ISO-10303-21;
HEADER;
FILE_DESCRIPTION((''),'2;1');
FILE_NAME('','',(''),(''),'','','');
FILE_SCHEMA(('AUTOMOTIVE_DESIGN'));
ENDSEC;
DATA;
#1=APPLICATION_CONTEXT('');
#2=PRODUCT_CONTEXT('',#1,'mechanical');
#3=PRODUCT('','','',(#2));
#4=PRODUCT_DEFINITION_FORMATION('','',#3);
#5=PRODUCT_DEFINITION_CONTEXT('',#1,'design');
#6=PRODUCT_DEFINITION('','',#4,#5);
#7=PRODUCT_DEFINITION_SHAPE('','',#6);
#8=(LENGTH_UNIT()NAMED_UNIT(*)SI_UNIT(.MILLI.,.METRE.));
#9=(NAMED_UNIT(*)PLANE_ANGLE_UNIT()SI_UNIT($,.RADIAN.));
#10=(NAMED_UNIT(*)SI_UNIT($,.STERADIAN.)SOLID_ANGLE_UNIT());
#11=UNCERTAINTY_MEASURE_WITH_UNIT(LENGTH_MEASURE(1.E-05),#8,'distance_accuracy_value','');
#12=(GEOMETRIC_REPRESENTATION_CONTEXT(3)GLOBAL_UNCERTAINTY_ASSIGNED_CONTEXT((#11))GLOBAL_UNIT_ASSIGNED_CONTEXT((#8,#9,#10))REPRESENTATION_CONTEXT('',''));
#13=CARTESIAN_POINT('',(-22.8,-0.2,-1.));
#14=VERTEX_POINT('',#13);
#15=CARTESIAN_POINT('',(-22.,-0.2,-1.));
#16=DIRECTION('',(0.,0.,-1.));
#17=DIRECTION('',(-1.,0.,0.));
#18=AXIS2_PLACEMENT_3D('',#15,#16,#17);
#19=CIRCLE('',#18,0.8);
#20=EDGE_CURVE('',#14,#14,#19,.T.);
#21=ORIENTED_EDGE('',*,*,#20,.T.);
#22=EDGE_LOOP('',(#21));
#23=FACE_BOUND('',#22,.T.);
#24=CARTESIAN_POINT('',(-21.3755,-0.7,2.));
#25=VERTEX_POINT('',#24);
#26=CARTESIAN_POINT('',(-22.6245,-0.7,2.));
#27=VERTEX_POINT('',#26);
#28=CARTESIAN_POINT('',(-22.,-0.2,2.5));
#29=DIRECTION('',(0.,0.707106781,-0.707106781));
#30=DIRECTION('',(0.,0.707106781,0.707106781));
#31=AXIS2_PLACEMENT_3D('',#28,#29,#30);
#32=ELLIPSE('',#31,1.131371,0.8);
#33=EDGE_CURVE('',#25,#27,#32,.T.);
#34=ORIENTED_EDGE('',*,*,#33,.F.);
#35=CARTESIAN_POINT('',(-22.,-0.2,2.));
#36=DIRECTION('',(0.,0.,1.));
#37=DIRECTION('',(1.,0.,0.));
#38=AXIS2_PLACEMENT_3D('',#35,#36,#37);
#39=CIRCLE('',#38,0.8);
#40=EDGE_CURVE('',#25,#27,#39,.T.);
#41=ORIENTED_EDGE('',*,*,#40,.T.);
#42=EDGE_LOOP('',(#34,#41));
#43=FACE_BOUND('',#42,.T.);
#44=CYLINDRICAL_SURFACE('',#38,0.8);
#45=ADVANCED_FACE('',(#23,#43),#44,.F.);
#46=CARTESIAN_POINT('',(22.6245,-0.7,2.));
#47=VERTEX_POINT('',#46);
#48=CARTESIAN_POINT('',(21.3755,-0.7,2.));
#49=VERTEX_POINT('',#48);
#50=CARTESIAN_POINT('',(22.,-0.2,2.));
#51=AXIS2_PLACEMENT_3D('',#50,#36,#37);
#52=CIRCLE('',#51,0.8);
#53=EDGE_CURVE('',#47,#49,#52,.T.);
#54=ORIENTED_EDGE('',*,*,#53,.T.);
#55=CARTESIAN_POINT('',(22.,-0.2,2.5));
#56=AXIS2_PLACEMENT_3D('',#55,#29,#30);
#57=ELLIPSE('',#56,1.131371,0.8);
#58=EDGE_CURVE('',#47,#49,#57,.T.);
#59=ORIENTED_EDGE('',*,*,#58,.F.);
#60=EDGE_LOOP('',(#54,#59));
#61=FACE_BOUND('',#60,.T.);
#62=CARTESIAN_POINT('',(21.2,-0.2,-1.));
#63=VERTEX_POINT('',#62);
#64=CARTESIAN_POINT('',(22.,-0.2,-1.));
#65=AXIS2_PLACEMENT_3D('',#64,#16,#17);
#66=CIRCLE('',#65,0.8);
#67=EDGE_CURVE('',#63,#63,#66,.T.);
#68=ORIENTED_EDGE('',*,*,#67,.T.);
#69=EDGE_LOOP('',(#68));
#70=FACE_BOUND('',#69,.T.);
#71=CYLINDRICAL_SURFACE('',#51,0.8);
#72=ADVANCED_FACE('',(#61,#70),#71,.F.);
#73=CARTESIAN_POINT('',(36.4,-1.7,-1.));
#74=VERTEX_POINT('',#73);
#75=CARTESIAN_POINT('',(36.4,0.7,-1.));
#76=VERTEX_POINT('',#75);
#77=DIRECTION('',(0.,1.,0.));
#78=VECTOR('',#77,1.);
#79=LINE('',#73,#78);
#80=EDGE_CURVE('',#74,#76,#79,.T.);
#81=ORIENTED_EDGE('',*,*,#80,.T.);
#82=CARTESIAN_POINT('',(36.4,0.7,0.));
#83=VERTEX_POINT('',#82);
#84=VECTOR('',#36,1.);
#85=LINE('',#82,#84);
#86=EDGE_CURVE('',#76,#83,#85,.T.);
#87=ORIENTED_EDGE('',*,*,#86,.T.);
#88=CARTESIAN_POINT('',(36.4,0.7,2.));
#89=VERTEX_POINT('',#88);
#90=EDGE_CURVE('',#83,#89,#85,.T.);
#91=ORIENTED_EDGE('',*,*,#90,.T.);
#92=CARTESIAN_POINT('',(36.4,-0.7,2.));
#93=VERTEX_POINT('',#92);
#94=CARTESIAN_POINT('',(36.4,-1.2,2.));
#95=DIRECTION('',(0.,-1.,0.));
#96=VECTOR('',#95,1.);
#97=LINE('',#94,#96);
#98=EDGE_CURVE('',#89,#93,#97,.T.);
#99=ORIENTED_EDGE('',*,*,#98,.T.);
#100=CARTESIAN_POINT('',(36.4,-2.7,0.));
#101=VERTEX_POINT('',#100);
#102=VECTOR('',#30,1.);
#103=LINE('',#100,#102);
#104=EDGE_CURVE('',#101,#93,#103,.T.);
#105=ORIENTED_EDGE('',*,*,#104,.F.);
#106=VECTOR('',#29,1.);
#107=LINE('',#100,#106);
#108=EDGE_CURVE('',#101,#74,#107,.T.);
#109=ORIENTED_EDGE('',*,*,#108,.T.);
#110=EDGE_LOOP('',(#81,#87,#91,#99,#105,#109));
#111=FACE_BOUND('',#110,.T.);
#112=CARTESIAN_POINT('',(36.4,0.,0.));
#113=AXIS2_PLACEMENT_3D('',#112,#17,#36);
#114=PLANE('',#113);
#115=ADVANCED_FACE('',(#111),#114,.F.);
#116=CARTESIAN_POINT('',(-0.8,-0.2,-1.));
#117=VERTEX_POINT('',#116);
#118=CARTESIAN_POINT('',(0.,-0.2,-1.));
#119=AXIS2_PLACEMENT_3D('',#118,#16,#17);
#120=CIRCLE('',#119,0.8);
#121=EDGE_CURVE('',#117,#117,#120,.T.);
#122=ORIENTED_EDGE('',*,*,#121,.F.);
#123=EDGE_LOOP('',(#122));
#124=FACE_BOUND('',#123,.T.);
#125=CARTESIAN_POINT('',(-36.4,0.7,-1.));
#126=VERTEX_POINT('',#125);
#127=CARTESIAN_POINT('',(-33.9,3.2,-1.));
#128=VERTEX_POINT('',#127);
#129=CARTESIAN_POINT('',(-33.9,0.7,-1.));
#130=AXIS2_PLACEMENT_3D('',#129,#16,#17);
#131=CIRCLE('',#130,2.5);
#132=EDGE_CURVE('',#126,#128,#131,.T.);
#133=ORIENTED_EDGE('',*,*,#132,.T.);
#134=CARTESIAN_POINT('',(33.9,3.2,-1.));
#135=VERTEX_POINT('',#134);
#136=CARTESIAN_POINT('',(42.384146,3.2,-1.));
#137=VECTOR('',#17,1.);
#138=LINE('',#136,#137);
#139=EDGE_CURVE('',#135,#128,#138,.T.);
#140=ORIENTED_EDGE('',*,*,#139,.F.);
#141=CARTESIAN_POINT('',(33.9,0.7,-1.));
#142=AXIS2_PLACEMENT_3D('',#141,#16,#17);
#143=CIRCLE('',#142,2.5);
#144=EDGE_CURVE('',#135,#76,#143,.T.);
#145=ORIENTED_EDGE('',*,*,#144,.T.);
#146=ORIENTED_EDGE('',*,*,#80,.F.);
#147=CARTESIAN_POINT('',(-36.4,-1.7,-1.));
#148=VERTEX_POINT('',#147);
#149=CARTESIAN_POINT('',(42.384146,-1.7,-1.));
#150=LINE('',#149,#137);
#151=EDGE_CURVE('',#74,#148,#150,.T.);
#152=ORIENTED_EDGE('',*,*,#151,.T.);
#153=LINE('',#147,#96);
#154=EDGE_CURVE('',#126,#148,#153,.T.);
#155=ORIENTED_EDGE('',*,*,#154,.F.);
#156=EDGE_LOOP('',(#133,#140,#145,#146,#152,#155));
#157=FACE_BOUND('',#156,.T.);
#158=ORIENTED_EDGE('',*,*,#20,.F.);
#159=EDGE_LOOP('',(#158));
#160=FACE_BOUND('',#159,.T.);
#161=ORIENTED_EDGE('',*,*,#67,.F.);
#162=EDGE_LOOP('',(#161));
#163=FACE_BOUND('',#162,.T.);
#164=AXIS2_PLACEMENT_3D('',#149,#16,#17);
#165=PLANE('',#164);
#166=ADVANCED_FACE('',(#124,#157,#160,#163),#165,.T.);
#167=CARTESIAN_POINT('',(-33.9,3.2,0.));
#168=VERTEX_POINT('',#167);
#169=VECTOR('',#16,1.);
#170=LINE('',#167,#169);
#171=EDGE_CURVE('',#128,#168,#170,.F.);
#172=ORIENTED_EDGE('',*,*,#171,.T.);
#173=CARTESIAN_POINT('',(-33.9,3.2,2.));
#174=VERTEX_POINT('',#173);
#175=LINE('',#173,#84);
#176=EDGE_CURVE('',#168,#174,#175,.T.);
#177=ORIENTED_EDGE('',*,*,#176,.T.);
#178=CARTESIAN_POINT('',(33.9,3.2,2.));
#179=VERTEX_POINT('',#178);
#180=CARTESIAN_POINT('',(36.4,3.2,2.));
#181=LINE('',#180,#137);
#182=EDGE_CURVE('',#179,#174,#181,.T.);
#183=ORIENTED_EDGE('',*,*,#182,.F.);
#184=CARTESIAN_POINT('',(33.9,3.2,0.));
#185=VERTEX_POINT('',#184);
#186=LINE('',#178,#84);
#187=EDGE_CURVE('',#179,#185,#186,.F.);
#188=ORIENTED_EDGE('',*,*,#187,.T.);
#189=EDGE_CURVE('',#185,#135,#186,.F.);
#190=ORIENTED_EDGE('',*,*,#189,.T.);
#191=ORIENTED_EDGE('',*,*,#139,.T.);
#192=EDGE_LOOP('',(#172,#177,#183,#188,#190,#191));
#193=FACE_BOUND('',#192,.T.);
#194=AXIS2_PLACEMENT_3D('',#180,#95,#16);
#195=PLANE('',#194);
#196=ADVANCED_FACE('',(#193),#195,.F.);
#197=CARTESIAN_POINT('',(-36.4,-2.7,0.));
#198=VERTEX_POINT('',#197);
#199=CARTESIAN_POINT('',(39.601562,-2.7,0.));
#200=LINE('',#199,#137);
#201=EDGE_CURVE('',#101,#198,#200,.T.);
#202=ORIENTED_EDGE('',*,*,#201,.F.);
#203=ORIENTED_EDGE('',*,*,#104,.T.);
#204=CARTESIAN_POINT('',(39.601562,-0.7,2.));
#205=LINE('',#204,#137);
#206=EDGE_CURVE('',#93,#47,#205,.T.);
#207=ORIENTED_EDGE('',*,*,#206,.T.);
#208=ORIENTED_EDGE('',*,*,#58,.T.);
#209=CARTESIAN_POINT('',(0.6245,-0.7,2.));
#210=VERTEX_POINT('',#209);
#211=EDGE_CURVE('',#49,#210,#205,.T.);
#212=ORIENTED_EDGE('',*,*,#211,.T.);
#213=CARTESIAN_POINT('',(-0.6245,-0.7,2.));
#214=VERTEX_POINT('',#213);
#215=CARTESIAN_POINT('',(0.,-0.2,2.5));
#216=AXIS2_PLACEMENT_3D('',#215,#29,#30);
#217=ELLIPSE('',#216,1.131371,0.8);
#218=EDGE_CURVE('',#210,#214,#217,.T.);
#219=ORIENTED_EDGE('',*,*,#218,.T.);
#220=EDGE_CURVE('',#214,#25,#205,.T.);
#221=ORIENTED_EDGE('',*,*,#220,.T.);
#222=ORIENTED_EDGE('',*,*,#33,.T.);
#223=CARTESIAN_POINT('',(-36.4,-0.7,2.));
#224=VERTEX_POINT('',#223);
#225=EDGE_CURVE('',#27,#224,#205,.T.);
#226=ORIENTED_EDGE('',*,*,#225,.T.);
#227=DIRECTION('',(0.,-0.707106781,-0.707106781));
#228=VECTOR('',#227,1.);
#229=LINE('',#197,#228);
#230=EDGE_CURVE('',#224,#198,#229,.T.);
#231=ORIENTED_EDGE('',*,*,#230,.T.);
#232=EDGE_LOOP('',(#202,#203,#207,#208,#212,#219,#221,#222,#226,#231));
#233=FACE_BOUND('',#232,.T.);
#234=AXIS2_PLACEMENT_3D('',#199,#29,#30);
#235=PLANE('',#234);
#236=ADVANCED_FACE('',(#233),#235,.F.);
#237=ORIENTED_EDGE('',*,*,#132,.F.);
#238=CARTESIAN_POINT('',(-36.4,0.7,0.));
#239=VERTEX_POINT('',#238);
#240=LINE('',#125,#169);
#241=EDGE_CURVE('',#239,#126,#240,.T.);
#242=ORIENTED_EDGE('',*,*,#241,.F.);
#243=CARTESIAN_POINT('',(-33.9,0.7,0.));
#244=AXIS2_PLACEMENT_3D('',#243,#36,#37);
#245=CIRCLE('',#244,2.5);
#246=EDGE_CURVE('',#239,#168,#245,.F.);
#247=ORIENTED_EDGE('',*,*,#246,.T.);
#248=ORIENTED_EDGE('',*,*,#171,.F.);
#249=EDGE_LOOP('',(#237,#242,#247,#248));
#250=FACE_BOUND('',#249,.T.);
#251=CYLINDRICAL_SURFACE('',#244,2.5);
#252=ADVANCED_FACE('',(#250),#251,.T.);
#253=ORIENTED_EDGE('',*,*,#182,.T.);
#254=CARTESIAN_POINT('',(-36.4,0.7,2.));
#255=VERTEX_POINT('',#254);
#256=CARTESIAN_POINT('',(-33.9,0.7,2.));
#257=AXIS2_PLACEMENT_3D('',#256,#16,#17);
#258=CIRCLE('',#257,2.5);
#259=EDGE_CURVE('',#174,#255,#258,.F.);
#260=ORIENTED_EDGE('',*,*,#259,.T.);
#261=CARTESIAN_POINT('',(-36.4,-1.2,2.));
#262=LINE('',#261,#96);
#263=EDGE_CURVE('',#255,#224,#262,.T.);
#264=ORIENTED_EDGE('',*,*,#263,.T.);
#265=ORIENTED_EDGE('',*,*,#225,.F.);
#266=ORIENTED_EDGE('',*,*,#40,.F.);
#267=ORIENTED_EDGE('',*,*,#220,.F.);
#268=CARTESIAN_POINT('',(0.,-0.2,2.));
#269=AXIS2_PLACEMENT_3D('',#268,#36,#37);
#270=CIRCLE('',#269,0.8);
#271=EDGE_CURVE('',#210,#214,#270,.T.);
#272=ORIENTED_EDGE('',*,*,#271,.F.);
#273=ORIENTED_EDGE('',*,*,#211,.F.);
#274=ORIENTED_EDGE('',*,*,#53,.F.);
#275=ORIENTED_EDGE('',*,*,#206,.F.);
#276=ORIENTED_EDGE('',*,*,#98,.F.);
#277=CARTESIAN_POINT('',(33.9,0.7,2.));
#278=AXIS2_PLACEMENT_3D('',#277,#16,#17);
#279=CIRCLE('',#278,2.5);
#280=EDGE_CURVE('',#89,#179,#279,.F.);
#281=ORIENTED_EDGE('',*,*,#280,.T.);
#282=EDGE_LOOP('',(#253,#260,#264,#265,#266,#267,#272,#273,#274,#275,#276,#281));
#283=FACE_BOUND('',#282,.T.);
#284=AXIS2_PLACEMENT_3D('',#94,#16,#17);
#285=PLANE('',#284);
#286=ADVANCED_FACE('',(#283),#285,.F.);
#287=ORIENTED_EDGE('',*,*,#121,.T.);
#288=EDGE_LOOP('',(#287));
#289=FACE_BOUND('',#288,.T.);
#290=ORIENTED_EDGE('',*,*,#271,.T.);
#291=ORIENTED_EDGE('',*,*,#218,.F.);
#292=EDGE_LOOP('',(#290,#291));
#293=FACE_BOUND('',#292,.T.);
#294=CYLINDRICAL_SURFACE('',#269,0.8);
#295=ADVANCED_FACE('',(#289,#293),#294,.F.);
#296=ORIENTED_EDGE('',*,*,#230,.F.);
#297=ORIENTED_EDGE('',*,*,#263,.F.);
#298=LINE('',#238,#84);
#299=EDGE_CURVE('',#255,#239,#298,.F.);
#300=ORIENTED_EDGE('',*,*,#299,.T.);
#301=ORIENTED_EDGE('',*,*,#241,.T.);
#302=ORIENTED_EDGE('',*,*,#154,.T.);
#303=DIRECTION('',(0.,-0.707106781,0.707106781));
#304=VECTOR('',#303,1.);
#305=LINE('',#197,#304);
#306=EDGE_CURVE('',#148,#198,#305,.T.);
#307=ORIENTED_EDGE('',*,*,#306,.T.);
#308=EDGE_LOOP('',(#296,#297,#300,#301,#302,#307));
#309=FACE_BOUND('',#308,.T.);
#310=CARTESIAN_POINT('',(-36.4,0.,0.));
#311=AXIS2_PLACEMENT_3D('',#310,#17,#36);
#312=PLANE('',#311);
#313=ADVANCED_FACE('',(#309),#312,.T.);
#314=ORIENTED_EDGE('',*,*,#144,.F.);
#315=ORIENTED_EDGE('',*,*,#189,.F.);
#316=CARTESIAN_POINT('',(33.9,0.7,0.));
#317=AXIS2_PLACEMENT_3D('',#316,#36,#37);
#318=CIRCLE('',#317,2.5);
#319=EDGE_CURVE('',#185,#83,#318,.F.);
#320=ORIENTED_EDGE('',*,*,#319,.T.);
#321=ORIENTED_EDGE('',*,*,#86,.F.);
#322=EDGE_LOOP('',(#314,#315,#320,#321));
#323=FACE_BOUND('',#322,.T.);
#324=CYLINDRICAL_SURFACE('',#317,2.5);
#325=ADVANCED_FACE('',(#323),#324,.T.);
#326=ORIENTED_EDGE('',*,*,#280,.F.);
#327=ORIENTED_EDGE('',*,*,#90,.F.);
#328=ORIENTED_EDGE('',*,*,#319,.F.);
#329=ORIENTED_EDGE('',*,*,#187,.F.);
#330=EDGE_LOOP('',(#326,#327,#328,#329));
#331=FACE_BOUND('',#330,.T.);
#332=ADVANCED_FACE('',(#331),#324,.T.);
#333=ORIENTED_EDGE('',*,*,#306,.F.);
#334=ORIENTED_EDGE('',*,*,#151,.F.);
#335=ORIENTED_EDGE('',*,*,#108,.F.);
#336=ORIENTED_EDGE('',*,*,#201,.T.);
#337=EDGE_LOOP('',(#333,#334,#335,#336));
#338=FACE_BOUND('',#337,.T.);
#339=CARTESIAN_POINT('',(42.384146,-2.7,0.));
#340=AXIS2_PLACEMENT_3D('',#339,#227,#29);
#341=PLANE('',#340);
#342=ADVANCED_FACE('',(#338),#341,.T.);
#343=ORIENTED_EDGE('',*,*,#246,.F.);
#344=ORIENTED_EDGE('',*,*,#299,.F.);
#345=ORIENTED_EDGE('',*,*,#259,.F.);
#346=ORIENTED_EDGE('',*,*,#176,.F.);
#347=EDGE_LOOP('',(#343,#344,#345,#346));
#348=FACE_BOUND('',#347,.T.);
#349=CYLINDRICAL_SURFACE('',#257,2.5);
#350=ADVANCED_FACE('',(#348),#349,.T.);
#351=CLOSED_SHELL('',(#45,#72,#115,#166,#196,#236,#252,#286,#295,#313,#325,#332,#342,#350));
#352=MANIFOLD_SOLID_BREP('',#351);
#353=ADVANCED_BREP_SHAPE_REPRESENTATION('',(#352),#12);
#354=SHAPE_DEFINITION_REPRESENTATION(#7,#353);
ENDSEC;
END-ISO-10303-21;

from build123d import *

# Parameters (mm, degrees)
BOSS_EXTRUDE1_DEPTH       = 36.4
FILLET3_R                 = 2.5
CUT_EXTRUDE5_DEPTH        = 72.8
BOSS_EXTRUDE2_DEPTH       = 72.8
M2X0_4_TAPPED_HOLE1_D     = 1.6
M2X0_4_TAPPED_HOLE1_DEPTH = 3.6
M2X0_4_TAPPED_HOLE1_TIP   = 0.480688495
FILLET4_R                 = 2.5


with BuildPart() as part:
    # Sketch1 → Boss-Extrude1 (new, symmetric)
    with BuildSketch(Plane(origin=(0, 0, 0), x_dir=(0, 0, -1), z_dir=(1, 0, 0))):
        Polygon((0, -3.2), (-2, -1.2), (-2, 3.2), (0, 3.2), align=None)
    extrude(amount=BOSS_EXTRUDE1_DEPTH, both=True)

    # Fillet3
    fillet3_edges = [part.edges().sort_by_distance(p)[0] for p in [
        (-36.4, 3.2, 1),
        (36.4, 3.2, 1),
    ]]
    fillet(fillet3_edges, radius=FILLET3_R)

    # Sketch5 → Cut-Extrude5 (cut)
    with BuildSketch(Plane.ZY.offset(36.4)):
        Polygon((0, -2.7), (2, -0.7), (2, -1.2), (0, -3.2), align=None)
    extrude(amount=-CUT_EXTRUDE5_DEPTH, mode=Mode.SUBTRACT)

    # Sketch7 → Boss-Extrude2 (add)
    with BuildSketch(Plane.ZY.offset(36.4)):
        Polygon((0, -2.7), (-1, -1.7), (-1, 3.2), (0, 3.2), align=None)
    extrude(amount=-BOSS_EXTRUDE2_DEPTH)

    # M2x0.4 Tapped Hole1
    with Locations(Plane.XY.offset(2)):
        with Locations((-22, -0.2), (22, -0.2), (0, -0.2)):
            Hole(M2X0_4_TAPPED_HOLE1_D / 2, depth=M2X0_4_TAPPED_HOLE1_DEPTH)
            with Locations((0, 0, -(M2X0_4_TAPPED_HOLE1_DEPTH + M2X0_4_TAPPED_HOLE1_TIP / 2))):  # 118° drill point
                Cone(0, M2X0_4_TAPPED_HOLE1_D / 2, M2X0_4_TAPPED_HOLE1_TIP, mode=Mode.SUBTRACT)

    # Fillet4
    fillet4_edges = [part.edges().sort_by_distance(p)[0] for p in [
        (-36.4, 3.2, -0.5),
        (36.4, 3.2, -0.5),
    ]]
    fillet(fillet4_edges, radius=FILLET4_R)


solid = part.part
